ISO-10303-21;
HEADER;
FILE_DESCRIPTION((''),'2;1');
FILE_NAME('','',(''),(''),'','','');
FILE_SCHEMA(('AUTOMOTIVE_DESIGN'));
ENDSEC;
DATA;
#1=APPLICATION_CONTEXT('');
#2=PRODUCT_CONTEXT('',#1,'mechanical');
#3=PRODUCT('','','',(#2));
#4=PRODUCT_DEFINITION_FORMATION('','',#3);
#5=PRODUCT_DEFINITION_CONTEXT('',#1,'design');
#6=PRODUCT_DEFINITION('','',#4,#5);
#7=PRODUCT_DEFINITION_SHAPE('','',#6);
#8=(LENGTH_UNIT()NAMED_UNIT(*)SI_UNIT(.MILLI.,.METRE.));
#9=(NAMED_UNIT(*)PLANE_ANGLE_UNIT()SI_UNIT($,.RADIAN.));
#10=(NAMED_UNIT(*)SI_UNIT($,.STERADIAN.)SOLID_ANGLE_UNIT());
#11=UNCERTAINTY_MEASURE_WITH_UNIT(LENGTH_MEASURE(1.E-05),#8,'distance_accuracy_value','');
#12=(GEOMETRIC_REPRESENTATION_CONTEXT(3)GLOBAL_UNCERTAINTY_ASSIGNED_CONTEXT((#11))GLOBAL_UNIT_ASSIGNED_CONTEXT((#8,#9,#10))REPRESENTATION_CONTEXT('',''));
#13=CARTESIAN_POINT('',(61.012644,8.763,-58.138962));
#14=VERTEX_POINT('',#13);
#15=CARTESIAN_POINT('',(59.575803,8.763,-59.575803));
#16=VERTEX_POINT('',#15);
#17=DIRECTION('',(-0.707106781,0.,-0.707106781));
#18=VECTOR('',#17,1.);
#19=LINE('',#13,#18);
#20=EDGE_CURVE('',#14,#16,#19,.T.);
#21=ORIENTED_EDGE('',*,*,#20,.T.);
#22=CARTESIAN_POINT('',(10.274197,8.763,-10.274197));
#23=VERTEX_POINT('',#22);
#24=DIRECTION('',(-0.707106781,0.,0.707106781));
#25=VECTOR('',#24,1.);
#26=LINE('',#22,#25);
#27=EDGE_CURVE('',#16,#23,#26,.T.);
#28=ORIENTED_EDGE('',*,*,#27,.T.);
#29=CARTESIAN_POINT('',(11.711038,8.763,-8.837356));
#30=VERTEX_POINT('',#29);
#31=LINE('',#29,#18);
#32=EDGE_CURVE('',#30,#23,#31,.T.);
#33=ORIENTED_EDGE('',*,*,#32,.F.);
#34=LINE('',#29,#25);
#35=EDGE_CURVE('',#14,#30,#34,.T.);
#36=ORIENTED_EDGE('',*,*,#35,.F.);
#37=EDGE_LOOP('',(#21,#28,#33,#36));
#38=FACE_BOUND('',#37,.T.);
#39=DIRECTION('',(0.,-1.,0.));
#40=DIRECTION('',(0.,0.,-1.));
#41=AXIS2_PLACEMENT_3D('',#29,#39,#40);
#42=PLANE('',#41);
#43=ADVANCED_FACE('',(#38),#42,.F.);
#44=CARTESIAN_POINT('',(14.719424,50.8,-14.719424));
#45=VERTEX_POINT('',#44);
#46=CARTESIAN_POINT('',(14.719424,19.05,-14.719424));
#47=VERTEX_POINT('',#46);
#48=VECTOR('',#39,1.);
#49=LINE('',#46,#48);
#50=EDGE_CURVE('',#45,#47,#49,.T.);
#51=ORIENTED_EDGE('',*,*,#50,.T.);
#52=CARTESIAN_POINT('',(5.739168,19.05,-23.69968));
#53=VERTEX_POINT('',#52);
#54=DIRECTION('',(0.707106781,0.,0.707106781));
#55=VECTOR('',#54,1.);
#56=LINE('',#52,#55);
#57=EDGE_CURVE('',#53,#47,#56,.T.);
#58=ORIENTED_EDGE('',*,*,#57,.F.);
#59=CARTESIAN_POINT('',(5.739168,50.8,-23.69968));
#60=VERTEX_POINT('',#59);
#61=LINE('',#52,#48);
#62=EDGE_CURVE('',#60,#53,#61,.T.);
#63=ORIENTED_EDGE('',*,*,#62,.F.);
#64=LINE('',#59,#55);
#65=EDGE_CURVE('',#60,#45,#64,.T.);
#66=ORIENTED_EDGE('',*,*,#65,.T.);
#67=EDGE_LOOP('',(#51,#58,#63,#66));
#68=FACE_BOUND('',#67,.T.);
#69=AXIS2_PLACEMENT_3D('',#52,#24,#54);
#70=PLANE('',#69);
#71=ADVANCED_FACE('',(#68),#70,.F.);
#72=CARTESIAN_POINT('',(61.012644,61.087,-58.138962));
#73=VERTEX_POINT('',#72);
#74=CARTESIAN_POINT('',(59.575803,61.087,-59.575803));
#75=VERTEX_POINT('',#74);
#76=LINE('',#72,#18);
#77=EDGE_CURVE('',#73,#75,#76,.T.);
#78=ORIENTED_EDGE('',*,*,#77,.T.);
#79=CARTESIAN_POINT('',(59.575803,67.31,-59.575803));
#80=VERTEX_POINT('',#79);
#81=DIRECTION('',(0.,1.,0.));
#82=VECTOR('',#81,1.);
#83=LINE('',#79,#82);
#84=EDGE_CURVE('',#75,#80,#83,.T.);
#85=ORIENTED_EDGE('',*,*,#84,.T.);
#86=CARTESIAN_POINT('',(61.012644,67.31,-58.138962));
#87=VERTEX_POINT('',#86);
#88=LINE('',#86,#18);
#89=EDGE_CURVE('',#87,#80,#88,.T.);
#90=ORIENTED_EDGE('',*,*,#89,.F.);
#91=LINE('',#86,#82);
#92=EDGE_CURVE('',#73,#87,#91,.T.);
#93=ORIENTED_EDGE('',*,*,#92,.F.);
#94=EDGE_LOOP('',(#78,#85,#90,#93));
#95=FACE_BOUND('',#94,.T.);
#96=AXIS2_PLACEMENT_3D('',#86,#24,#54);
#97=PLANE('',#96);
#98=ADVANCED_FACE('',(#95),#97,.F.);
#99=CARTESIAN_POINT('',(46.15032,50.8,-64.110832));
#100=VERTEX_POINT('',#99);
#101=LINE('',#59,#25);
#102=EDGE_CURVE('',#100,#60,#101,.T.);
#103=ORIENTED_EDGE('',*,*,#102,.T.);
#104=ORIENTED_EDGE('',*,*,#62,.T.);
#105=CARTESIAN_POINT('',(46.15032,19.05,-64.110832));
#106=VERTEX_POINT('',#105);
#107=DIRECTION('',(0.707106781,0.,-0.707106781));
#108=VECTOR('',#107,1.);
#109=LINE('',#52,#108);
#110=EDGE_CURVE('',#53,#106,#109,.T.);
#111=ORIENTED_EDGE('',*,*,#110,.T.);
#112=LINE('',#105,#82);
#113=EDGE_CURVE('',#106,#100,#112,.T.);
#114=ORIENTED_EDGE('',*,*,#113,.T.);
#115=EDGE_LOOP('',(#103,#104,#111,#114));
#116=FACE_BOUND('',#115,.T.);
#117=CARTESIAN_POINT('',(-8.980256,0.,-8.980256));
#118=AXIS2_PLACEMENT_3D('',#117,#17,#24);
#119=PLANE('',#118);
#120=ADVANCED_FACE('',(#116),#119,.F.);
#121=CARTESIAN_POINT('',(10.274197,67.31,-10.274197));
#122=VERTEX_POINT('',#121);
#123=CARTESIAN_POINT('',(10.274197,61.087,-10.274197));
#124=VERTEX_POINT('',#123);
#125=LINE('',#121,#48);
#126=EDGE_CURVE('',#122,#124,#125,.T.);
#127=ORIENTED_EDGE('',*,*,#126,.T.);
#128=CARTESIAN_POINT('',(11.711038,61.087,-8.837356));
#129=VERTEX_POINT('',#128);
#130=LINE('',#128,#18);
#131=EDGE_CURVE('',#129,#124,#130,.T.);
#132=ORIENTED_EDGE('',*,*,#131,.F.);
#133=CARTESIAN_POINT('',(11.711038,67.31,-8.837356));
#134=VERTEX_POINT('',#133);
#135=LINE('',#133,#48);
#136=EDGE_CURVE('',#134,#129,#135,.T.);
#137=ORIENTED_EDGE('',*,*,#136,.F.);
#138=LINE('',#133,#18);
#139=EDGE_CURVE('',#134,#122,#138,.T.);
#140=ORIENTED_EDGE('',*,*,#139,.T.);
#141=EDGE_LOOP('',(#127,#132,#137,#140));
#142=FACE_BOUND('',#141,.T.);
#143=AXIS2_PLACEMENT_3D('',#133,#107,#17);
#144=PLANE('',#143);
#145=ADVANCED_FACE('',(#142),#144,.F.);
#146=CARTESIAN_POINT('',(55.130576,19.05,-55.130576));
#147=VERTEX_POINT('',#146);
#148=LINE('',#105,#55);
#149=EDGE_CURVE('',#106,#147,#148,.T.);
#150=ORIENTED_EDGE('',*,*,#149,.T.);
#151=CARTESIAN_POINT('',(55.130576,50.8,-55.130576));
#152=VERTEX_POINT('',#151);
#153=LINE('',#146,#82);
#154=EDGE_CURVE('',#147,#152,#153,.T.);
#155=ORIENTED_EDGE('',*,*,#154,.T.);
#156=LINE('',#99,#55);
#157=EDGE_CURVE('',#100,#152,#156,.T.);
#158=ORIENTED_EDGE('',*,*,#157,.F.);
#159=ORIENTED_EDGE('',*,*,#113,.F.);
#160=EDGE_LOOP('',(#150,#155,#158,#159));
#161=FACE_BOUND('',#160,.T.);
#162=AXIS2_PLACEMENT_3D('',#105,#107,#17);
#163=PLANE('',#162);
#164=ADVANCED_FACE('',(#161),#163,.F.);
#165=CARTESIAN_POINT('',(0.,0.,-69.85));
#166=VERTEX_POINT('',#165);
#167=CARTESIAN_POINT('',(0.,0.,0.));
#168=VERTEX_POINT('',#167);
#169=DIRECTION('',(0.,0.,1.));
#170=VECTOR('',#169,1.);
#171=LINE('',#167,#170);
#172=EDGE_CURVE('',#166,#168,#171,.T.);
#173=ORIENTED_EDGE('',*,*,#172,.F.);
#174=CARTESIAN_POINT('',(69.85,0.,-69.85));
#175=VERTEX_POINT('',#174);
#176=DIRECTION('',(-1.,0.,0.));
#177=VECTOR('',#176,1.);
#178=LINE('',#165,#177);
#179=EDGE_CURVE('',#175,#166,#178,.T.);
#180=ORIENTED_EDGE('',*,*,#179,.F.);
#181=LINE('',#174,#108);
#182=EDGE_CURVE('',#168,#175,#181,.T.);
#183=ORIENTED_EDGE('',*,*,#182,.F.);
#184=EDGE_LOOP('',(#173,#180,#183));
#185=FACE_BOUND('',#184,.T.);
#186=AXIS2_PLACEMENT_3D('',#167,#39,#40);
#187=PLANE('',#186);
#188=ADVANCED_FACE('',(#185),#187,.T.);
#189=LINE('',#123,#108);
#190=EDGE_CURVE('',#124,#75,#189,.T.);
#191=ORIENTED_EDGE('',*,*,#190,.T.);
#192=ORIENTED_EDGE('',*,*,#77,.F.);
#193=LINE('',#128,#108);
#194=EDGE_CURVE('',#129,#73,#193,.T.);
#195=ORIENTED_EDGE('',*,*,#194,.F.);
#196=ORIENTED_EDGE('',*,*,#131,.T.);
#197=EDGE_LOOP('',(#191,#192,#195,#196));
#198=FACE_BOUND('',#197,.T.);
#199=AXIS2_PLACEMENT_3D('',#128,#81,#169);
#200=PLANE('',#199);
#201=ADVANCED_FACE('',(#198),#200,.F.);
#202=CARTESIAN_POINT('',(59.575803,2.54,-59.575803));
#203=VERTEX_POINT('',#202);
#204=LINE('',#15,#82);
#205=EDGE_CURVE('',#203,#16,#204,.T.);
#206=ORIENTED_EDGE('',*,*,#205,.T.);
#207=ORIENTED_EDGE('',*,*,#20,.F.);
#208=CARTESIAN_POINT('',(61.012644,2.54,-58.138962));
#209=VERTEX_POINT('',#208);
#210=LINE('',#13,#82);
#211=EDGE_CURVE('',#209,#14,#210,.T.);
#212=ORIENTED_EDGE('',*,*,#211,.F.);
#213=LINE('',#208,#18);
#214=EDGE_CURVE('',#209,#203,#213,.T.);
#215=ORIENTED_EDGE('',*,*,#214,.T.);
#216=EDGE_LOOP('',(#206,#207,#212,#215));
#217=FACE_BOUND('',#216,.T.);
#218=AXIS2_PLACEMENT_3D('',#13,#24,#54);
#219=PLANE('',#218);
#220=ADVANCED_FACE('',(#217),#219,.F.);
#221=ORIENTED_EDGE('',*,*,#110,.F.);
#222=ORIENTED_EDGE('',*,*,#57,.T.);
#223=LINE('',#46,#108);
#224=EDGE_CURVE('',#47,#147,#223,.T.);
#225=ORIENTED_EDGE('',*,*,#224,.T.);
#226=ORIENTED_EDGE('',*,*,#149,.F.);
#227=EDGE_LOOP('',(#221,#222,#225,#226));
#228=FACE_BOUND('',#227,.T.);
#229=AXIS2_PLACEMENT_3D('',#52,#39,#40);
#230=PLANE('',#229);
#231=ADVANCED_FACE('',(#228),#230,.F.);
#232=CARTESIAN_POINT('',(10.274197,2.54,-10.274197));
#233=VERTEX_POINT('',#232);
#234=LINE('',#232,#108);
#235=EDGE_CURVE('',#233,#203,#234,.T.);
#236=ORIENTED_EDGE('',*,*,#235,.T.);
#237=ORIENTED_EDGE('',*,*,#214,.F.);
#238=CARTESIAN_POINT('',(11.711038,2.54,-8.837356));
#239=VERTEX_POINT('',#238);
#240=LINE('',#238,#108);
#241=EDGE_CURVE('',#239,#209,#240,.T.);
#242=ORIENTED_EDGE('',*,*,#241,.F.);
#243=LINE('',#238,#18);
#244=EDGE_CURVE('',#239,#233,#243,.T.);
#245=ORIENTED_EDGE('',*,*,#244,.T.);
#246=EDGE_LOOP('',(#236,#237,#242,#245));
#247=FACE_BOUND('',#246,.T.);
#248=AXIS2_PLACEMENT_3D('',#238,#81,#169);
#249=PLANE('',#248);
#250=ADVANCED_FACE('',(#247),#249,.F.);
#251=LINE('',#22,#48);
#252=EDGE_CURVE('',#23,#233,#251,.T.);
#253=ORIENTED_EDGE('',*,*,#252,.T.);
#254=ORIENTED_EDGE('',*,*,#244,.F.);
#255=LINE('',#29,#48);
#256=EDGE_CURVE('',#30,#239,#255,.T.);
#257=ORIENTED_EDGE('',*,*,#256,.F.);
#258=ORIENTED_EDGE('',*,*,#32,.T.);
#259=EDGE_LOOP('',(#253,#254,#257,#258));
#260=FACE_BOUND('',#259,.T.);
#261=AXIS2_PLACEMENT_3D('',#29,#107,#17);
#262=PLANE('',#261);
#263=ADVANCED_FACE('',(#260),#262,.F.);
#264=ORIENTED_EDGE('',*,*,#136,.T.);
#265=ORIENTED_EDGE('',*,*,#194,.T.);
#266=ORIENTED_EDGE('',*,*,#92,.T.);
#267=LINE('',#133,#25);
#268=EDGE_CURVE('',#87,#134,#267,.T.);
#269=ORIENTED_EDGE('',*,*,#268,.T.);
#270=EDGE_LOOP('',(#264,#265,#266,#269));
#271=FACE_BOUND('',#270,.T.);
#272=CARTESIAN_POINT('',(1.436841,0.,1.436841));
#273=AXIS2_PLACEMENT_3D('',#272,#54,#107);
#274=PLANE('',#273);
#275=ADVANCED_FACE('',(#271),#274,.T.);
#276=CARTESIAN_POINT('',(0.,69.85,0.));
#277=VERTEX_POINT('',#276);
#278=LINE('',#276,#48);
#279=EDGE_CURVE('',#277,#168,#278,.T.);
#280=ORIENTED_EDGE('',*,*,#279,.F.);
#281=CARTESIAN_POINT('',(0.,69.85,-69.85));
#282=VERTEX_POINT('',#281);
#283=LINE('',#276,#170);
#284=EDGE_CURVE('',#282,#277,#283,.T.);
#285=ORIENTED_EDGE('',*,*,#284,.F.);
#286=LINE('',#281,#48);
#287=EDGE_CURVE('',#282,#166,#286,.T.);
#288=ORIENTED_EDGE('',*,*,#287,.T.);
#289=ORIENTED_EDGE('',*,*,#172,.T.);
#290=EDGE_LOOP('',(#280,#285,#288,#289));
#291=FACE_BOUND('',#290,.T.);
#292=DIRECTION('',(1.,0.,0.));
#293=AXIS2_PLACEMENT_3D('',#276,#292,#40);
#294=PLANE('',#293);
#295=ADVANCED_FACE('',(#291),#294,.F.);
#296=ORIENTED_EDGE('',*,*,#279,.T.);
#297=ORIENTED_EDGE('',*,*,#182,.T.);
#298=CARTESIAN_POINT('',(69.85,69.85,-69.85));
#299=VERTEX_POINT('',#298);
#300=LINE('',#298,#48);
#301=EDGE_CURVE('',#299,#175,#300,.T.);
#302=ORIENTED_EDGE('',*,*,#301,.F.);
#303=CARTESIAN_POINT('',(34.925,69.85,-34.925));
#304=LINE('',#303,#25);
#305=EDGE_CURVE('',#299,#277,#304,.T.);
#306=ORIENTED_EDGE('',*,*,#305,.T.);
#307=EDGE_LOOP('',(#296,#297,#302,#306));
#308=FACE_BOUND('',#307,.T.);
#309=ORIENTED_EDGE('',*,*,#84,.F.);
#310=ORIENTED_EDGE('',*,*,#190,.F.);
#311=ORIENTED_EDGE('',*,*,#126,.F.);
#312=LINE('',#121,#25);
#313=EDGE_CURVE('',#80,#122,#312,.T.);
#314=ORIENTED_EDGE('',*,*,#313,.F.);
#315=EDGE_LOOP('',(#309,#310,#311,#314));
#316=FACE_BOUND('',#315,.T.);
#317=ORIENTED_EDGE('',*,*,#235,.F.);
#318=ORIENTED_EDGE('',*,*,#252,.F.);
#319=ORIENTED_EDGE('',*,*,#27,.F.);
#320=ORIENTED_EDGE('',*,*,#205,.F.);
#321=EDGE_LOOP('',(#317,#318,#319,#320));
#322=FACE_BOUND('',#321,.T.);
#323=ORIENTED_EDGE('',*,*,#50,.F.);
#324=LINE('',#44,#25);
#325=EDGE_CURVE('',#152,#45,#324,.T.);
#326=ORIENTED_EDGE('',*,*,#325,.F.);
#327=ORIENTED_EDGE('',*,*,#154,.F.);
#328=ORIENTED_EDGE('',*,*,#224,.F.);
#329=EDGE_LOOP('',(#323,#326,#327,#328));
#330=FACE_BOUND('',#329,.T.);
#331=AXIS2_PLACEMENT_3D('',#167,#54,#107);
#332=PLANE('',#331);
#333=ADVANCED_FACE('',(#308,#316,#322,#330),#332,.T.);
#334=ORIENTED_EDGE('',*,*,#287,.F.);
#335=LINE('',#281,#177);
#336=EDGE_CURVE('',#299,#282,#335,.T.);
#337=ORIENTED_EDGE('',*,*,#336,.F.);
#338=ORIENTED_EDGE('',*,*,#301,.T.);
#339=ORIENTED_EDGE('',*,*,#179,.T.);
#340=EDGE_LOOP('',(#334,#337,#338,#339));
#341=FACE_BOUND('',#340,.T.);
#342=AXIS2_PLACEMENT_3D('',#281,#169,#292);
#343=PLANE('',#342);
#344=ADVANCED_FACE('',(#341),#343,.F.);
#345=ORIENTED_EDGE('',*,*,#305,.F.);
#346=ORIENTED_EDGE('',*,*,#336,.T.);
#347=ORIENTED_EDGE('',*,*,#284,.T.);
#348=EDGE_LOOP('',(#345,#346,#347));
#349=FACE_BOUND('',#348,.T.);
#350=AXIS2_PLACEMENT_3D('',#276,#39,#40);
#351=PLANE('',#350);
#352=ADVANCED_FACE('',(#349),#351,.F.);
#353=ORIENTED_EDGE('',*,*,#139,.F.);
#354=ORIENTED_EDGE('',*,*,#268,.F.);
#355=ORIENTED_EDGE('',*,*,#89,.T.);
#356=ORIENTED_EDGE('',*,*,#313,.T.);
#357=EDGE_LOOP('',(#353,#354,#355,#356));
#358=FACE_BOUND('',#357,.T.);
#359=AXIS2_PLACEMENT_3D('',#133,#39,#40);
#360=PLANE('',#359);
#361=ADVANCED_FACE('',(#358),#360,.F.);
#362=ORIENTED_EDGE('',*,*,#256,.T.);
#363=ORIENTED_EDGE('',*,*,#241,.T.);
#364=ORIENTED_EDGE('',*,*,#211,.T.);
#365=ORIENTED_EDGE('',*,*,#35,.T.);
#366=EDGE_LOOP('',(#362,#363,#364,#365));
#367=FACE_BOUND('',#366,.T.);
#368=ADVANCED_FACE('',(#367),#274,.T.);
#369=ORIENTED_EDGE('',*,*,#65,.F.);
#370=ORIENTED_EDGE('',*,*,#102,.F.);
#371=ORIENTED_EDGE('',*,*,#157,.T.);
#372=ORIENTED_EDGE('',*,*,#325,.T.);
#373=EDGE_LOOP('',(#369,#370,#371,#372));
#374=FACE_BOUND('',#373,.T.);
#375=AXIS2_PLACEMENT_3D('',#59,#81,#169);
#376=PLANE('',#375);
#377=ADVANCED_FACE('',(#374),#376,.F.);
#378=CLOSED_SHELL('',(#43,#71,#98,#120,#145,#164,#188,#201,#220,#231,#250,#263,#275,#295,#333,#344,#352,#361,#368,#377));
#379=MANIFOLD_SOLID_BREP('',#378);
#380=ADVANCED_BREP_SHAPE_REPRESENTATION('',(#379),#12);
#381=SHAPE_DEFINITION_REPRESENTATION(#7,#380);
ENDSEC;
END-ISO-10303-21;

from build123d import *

# Parameters (mm, degrees)
SKETCH1_W           = 69.85
SKETCH1_H           = 69.85
BOSS_EXTRUDE1_DEPTH = 69.85
CUT_EXTRUDE2_DEPTH  = 100
SKETCH3_W           = 69.723
SKETCH3_H           = 6.223
BOSS_EXTRUDE2_DEPTH = 2.032
SKETCH4_W           = 57.15
SKETCH4_H           = 31.75
CUT_EXTRUDE3_DEPTH  = 12.7


with BuildPart() as part:
    # Sketch1 → Boss-Extrude1 (new body)
    with BuildSketch(Plane(origin=(0, 0, 0), x_dir=(1, 0, 0), z_dir=(0, 1, 0))):
        with Locations((34.925, 34.925)):
            Rectangle(SKETCH1_W, SKETCH1_H)
    extrude(amount=BOSS_EXTRUDE1_DEPTH)

    # Sketch2 → Cut-Extrude2 (cut)
    with BuildSketch(Plane(origin=(0, 0, 0), x_dir=(0.707106781, 0, -0.707106781), z_dir=(0.707106781, 0, 0.707106781))):
        Polygon((98.782817332, 69.85), (98.782817332, 0), (49.391408666, 0), (0, 0), (0, 69.85), (49.391408666, 69.85), align=None)
    extrude(amount=CUT_EXTRUDE2_DEPTH, mode=Mode.SUBTRACT)

    # Sketch3 → Boss-Extrude2 (add)
    with BuildSketch(Plane(origin=(0, 0, 0), x_dir=(0.707106781, 0, -0.707106781), z_dir=(0.707106781, 0, 0.707106781))):
        with Locations((49.391408666, 5.6515)):
            Rectangle(SKETCH3_W, SKETCH3_H)
        with Locations((49.391408666, 64.1985)):
            Rectangle(SKETCH3_W, SKETCH3_H)
    extrude(amount=BOSS_EXTRUDE2_DEPTH)

    # Sketch4 → Cut-Extrude3 (cut)
    with BuildSketch(Plane(origin=(0, 0, 0), x_dir=(0.707106781, 0, -0.707106781), z_dir=(0.707106781, 0, 0.707106781))):
        with Locations((49.391408666, 34.925)):
            Rectangle(SKETCH4_W, SKETCH4_H)
    extrude(amount=-CUT_EXTRUDE3_DEPTH, mode=Mode.SUBTRACT)


solid = part.part
